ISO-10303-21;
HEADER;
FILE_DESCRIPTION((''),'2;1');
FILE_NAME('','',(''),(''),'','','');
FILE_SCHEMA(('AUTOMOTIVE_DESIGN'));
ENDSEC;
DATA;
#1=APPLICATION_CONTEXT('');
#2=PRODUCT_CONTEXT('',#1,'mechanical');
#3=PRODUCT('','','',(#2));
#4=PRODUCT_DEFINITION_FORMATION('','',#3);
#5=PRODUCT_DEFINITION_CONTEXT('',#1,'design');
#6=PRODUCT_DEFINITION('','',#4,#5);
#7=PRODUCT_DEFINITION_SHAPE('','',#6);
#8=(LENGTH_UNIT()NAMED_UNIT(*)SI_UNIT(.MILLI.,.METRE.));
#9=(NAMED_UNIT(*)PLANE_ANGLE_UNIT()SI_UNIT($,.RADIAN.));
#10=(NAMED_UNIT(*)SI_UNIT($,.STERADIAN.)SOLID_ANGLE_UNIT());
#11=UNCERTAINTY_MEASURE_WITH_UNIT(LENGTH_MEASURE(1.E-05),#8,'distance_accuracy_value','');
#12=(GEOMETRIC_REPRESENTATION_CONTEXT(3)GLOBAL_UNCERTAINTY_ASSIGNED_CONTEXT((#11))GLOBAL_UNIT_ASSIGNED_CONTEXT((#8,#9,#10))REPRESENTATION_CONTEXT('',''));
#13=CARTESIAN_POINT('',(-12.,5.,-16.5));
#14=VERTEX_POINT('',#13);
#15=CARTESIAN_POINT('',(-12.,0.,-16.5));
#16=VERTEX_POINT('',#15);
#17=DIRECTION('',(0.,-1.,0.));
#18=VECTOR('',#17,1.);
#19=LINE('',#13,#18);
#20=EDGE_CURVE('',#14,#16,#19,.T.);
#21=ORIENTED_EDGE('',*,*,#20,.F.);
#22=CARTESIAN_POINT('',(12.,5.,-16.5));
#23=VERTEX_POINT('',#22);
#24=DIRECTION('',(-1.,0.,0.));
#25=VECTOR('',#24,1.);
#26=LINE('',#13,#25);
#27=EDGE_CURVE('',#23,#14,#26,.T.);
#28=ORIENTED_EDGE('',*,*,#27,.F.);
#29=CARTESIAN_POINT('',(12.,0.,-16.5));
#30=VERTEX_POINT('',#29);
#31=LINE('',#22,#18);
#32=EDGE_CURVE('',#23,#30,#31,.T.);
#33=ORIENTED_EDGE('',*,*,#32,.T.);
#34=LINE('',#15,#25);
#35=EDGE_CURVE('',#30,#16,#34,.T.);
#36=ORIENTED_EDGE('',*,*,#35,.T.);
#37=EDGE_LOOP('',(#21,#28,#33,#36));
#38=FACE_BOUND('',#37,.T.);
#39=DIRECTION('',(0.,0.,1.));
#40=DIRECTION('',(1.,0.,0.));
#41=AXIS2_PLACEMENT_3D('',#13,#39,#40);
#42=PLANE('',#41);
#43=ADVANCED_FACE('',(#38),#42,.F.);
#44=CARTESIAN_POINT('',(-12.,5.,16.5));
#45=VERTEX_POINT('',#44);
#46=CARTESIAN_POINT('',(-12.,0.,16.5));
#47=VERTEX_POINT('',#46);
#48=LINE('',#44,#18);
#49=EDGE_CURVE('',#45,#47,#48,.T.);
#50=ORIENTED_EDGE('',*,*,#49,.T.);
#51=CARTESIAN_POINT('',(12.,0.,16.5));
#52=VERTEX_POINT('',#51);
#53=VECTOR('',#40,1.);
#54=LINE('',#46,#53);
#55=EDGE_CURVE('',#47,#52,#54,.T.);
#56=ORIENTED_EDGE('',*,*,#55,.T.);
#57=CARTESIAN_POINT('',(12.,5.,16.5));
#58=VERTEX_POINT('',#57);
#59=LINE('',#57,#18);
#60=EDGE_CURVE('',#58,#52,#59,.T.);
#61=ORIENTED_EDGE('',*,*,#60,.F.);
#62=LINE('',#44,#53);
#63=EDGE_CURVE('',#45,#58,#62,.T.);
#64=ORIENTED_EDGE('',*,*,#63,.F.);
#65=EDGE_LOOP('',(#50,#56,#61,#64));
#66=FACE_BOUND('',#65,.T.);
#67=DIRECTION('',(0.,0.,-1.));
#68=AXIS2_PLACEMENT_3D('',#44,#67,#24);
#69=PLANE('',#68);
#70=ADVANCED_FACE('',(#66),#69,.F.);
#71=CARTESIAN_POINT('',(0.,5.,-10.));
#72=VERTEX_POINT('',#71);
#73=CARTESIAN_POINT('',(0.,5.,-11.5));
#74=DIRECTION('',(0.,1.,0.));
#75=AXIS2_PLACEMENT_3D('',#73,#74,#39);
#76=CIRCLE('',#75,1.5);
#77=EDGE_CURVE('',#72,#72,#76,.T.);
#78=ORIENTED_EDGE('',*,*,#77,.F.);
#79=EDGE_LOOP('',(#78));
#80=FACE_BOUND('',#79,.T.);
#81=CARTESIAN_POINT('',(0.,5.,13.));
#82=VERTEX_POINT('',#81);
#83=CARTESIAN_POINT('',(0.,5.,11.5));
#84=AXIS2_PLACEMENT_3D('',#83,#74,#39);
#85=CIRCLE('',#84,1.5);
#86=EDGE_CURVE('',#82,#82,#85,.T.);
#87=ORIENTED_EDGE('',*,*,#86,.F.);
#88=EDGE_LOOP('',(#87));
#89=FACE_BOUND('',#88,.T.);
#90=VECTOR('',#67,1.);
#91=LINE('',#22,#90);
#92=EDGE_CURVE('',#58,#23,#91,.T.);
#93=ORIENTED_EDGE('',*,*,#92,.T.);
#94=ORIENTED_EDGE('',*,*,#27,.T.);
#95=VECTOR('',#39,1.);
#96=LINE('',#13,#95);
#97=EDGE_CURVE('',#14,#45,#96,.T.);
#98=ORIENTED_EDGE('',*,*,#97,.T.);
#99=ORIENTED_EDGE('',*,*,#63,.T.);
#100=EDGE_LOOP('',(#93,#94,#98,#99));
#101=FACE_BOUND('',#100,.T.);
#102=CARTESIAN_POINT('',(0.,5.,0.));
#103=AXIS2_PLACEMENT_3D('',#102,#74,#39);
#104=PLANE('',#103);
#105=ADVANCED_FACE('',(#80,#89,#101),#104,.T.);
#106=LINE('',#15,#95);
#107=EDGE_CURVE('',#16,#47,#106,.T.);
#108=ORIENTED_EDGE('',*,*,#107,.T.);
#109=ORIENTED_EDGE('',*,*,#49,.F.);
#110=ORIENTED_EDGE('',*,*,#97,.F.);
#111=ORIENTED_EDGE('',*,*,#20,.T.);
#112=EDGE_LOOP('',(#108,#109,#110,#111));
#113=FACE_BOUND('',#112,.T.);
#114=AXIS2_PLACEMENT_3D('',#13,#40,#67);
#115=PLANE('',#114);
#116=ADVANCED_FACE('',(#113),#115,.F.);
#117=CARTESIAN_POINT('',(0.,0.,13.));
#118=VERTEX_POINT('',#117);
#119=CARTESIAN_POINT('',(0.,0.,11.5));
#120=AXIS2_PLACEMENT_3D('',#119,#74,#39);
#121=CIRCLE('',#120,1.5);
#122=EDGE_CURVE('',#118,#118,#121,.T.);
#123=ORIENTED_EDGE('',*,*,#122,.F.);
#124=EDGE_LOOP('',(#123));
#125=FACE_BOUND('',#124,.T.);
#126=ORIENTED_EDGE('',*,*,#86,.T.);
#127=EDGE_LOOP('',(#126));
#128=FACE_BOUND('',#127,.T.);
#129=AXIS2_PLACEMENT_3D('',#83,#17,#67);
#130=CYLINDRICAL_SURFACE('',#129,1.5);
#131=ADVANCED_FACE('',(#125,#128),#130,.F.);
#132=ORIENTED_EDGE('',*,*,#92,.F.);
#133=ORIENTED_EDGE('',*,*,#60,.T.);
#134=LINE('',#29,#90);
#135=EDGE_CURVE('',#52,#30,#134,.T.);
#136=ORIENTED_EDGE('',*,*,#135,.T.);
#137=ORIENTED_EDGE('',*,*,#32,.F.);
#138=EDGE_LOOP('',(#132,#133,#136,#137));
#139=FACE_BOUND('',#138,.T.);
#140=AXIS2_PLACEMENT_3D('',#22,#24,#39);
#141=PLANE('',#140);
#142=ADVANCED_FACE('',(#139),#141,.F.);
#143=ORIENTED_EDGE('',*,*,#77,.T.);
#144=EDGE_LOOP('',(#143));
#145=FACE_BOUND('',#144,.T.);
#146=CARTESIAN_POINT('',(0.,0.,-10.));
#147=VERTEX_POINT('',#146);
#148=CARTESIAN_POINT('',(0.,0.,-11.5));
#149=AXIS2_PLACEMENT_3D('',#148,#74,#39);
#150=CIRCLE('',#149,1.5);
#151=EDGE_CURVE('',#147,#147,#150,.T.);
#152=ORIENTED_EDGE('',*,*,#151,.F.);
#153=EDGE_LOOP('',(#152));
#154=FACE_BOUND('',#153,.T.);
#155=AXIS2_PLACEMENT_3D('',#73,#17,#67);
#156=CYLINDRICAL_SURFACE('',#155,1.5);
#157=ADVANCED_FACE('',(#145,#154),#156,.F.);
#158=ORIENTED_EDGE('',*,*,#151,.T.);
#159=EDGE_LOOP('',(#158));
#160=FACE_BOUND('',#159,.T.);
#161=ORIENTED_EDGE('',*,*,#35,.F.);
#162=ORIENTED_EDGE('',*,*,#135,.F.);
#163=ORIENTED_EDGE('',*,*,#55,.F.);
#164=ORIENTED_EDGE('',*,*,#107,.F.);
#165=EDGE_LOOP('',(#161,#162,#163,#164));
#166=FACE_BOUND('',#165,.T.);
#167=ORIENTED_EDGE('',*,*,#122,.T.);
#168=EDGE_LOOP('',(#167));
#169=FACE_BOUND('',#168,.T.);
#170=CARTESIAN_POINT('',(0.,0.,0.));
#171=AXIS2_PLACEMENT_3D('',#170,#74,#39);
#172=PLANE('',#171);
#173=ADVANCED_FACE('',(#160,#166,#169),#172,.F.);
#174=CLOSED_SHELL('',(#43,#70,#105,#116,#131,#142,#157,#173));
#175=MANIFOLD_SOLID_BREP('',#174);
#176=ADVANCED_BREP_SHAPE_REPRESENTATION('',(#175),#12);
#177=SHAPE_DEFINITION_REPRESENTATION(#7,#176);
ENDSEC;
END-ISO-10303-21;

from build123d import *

# Parameters (mm, degrees)
SKETCH1_W           = 24
SKETCH1_H           = 33
SKETCH1_R           = 1.5
BOSS_EXTRUDE1_DEPTH = 5


with BuildPart() as part:
    # Sketch1 → Boss-Extrude1 (new body)
    with BuildSketch(Plane(origin=(0, 0, 0), x_dir=(1, 0, 0), z_dir=(0, 1, 0))):
        Rectangle(SKETCH1_W, SKETCH1_H)
        with Locations((0, 11.5)):
            Circle(SKETCH1_R, mode=Mode.SUBTRACT)
        with Locations((0, -11.5)):
            Circle(SKETCH1_R, mode=Mode.SUBTRACT)
    extrude(amount=BOSS_EXTRUDE1_DEPTH)


solid = part.part
